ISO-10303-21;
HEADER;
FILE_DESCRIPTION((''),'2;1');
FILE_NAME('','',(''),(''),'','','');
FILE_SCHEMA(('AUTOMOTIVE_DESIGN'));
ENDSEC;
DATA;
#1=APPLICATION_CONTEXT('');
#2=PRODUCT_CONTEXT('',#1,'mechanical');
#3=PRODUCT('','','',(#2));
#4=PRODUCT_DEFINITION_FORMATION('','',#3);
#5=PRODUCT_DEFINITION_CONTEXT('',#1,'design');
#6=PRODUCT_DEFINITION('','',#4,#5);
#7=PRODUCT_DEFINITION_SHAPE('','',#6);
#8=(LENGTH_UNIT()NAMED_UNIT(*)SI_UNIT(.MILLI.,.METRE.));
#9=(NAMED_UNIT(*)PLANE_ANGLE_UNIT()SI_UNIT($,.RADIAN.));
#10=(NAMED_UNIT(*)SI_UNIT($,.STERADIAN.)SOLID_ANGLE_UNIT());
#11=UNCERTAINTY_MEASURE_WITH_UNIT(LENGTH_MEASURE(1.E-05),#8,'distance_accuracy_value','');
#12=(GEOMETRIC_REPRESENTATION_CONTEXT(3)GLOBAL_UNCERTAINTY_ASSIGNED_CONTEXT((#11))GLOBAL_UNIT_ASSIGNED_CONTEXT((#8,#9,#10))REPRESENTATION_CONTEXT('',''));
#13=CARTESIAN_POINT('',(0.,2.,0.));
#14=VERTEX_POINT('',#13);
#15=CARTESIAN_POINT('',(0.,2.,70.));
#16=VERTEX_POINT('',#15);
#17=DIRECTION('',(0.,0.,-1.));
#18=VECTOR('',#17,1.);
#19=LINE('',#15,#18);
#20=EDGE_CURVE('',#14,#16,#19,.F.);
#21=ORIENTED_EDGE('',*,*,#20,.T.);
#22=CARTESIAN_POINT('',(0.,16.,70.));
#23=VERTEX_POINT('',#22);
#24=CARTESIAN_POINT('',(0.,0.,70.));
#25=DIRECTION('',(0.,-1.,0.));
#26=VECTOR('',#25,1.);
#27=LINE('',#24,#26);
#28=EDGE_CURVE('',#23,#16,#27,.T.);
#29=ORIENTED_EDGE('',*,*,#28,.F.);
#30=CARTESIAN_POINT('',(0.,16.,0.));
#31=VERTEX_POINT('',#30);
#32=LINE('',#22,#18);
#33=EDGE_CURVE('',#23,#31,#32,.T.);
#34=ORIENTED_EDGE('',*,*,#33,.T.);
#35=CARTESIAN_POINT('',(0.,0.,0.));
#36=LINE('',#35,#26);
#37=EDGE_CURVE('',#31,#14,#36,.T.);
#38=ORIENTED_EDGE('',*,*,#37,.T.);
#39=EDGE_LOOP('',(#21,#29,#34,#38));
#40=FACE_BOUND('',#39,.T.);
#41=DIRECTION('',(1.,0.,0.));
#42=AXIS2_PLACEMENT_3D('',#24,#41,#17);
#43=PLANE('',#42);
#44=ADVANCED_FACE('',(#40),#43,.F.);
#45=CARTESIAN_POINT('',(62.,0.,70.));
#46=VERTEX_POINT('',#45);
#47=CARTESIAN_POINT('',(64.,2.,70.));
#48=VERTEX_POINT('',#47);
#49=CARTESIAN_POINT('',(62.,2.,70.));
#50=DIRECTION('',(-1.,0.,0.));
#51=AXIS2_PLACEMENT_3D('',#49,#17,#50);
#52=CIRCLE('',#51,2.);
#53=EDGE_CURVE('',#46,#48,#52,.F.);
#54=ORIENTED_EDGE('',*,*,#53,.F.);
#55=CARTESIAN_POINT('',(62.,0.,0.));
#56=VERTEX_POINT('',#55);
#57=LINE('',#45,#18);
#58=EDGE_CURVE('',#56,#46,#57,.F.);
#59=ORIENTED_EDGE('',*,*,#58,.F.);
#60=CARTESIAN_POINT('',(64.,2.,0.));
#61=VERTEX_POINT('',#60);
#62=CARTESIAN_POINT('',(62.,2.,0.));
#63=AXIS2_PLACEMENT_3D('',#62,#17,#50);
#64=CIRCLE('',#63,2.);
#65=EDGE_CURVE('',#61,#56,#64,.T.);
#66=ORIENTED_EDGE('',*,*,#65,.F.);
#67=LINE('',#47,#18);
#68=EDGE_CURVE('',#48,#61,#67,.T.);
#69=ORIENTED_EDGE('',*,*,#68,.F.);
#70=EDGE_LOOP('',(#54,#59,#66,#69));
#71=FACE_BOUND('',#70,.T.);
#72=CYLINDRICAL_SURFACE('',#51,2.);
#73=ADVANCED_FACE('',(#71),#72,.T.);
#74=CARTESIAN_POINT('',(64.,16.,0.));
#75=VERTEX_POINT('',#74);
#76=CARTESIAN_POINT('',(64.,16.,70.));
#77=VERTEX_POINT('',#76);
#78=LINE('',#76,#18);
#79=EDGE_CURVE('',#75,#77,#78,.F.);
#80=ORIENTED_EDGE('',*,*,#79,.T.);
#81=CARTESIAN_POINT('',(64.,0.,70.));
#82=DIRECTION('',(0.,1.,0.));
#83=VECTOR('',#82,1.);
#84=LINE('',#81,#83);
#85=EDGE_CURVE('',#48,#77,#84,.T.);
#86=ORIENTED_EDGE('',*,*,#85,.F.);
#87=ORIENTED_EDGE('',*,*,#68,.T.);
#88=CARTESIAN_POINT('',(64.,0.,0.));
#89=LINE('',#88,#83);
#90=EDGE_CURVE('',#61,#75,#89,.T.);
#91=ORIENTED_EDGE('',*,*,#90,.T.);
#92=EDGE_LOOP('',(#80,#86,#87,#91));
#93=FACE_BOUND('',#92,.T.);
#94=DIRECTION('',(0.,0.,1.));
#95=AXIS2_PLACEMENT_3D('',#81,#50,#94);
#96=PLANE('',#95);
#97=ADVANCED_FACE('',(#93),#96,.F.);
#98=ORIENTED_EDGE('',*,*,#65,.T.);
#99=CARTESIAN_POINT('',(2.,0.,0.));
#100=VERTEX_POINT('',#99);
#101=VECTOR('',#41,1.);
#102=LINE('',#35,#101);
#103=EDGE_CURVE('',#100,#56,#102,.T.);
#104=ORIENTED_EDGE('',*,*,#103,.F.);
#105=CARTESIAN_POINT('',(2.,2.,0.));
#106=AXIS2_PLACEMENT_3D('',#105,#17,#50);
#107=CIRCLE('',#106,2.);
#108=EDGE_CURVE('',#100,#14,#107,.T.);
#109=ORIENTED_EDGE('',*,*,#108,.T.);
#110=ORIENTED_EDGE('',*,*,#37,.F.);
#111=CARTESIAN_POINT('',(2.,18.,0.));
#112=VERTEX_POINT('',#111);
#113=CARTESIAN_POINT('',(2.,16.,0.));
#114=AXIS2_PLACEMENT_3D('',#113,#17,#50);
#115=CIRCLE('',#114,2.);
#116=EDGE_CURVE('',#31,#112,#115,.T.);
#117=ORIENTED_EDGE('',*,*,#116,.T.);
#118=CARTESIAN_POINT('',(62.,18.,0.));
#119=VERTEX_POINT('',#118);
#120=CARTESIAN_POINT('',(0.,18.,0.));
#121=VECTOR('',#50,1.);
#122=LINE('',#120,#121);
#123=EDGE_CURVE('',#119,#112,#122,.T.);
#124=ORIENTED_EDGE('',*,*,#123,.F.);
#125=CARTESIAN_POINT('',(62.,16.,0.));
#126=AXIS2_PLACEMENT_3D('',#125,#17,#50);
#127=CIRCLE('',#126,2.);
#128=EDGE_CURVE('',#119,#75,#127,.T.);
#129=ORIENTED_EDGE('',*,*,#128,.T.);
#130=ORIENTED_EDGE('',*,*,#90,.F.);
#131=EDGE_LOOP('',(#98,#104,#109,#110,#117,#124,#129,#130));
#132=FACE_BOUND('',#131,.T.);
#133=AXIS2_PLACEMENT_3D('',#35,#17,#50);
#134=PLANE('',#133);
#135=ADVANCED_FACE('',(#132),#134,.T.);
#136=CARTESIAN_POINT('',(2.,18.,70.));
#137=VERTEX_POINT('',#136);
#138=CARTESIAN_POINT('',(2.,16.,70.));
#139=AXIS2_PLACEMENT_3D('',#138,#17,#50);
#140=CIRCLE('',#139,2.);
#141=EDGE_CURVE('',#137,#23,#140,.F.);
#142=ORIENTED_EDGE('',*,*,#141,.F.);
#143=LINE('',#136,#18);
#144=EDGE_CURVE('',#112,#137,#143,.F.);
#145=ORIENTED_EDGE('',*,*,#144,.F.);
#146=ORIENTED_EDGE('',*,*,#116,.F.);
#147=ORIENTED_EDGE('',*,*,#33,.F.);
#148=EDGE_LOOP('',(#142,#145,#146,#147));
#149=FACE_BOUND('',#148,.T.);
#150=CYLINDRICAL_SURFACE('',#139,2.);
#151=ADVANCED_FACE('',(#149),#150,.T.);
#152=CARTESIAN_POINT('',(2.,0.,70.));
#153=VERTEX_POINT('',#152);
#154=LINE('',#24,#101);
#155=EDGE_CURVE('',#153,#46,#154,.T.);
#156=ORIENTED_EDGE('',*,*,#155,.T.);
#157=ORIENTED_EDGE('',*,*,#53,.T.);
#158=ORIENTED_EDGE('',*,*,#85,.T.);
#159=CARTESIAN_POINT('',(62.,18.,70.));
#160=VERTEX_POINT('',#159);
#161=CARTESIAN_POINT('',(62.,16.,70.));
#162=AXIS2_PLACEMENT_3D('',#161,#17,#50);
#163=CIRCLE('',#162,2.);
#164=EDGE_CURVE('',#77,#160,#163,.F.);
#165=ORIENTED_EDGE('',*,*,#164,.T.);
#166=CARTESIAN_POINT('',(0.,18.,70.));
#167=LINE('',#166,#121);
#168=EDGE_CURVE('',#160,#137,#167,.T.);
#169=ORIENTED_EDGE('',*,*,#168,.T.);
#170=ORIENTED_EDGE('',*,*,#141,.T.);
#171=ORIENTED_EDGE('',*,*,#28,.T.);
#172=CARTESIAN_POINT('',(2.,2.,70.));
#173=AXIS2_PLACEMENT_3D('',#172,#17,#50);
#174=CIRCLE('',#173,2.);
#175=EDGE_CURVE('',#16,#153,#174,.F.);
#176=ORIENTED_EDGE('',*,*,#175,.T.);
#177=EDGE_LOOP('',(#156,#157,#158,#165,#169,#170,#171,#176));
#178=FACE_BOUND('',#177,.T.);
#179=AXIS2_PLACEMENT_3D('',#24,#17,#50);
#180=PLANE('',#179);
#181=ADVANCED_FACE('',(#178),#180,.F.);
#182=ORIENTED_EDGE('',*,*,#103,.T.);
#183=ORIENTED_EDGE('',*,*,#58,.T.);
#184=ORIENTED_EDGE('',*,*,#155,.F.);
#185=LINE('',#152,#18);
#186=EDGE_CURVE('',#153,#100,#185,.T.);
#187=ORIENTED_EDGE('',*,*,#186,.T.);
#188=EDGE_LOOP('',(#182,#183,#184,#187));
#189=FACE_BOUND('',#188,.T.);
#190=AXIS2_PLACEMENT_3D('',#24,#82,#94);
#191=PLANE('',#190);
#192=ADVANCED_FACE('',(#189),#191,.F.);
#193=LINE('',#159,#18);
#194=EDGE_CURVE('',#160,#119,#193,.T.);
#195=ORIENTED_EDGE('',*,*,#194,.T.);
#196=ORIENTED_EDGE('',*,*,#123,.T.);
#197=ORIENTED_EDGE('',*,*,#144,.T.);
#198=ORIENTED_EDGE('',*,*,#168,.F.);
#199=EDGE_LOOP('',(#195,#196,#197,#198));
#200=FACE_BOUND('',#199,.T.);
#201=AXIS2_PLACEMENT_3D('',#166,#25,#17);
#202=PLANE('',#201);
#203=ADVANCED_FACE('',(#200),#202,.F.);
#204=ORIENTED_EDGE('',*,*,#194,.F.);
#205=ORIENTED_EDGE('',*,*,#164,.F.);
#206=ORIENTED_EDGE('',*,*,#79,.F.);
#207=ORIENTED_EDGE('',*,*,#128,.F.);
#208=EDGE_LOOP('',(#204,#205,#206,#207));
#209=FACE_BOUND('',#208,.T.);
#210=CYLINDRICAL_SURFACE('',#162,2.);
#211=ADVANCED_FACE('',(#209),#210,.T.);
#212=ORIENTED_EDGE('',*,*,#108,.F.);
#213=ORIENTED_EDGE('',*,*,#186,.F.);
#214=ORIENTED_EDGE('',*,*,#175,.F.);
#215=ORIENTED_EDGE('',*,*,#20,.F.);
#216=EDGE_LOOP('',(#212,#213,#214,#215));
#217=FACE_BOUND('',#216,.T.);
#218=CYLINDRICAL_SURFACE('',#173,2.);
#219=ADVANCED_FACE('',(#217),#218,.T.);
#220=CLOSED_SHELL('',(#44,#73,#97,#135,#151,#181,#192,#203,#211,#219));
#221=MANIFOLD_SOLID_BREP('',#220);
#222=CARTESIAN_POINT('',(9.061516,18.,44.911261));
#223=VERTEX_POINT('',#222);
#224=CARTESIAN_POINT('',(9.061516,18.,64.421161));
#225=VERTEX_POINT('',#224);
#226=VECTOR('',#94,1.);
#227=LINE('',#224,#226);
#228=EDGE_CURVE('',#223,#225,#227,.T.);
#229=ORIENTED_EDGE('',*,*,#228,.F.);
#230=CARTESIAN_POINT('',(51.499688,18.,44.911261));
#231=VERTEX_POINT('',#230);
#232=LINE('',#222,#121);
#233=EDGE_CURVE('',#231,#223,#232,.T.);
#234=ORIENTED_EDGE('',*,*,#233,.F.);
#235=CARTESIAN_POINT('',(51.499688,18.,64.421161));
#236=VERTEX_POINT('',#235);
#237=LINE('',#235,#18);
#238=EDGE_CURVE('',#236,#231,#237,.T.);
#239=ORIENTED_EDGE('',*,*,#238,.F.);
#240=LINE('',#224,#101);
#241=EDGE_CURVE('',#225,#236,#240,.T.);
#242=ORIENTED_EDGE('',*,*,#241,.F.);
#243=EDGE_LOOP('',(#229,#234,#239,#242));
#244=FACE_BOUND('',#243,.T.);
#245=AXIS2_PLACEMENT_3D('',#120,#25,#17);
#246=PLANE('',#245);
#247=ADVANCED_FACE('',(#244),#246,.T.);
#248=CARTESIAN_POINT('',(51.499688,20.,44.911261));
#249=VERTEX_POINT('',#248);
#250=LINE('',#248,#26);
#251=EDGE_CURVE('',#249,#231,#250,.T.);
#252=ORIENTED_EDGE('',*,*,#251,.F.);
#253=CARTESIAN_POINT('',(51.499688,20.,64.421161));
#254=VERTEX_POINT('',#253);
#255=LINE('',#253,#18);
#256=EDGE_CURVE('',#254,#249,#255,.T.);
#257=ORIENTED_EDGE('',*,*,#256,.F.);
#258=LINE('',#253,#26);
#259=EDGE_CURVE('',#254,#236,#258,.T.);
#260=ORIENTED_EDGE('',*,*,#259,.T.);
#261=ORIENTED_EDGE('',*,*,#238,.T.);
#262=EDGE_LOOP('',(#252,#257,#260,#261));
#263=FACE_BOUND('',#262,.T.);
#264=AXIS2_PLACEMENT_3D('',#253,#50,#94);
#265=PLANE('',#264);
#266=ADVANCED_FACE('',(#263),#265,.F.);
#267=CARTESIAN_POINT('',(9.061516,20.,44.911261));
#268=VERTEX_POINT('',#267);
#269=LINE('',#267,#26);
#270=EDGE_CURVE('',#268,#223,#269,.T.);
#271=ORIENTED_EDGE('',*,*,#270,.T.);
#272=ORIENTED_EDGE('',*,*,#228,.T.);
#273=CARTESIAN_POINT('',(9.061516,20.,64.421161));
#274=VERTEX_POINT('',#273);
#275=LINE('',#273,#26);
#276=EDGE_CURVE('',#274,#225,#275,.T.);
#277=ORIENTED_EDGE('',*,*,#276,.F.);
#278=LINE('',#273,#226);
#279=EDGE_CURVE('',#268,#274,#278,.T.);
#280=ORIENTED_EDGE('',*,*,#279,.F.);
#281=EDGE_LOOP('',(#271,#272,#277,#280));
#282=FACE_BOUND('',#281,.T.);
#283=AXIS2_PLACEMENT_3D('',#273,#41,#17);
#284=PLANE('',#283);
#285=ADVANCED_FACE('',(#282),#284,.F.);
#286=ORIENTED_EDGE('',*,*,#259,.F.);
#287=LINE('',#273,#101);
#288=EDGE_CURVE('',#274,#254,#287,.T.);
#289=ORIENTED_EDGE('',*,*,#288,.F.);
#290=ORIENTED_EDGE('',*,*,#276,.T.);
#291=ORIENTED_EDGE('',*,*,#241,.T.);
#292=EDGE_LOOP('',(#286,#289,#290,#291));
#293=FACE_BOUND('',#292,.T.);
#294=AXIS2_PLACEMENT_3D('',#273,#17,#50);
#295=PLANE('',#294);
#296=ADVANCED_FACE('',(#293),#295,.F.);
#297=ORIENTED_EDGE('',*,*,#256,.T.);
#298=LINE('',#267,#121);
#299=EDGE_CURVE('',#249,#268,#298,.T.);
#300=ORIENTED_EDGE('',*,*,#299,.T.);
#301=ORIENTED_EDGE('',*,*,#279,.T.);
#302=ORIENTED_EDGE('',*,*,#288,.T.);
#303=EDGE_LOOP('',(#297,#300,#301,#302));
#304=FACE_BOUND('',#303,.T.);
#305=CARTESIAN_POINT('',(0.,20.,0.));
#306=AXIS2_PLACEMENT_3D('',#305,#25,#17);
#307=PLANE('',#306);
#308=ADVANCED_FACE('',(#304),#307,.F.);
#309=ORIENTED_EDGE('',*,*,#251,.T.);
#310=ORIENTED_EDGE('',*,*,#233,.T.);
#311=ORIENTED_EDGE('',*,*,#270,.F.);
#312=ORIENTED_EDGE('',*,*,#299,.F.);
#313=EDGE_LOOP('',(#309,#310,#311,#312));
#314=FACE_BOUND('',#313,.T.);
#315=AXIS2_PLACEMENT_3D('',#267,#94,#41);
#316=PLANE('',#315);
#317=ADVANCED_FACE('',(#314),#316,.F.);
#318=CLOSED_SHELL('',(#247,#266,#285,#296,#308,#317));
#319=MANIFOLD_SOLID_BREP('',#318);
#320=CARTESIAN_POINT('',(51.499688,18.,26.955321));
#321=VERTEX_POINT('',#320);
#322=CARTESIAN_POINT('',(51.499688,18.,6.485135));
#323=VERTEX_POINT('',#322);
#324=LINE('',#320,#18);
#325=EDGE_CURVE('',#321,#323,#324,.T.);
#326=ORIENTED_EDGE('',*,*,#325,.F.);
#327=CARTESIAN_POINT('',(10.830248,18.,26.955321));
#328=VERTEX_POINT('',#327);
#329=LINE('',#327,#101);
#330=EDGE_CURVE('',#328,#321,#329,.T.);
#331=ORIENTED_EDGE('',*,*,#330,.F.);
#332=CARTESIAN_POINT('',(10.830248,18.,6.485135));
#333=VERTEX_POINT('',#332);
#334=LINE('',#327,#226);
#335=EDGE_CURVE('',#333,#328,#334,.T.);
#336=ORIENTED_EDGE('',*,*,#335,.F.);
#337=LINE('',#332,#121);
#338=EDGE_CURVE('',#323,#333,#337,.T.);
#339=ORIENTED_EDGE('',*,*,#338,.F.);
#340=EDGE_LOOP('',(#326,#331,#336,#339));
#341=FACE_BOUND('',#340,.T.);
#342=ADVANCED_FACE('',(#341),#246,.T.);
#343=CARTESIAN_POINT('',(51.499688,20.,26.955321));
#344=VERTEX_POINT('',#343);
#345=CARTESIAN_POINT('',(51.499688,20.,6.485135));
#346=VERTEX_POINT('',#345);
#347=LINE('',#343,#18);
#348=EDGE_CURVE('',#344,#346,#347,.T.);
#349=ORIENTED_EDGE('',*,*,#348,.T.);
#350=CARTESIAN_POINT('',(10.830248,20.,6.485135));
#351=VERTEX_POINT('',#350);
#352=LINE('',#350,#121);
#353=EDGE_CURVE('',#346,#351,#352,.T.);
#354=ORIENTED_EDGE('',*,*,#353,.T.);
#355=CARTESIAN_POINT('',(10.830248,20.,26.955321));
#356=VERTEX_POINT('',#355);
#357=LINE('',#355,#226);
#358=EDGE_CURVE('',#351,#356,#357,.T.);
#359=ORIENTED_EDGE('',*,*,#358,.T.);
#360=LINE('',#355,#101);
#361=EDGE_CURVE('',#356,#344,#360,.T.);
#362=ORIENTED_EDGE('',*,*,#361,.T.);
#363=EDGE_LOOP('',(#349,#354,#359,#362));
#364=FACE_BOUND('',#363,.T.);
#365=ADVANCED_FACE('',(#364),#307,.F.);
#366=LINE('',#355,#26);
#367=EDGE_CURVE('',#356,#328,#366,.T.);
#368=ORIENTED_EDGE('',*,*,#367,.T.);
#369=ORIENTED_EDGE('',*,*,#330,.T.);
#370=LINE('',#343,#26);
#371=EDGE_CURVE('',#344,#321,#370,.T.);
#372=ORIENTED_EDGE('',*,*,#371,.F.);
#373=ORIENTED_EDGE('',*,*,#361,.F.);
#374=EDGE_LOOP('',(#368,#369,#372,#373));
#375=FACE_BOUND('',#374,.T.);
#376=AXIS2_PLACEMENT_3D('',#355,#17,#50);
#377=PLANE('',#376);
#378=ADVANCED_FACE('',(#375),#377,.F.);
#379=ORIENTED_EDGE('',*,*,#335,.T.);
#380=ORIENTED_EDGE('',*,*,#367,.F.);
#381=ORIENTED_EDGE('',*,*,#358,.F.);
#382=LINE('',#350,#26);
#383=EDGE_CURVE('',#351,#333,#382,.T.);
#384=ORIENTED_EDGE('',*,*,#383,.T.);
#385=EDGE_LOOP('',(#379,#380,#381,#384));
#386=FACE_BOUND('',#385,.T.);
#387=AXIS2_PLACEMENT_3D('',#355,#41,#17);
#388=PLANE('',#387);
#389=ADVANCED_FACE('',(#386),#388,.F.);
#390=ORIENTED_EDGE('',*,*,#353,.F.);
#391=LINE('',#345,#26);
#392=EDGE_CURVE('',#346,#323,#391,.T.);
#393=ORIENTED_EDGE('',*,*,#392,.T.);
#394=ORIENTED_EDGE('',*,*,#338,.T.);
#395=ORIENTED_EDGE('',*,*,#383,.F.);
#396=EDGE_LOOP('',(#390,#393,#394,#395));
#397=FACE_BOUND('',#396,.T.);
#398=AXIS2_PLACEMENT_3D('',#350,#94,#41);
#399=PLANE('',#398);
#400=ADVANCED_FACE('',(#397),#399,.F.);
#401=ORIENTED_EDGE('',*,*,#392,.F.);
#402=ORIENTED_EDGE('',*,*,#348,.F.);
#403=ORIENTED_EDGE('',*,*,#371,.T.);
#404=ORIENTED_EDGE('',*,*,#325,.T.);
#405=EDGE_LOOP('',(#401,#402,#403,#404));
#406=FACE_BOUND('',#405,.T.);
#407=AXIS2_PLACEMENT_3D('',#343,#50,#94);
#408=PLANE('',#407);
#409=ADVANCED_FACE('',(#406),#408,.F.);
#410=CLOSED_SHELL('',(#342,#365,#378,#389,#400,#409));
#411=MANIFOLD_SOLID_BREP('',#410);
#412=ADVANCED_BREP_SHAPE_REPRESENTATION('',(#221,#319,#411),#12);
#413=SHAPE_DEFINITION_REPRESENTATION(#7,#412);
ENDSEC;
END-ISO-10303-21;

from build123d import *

# Parameters (mm, degrees)
SKETCH_1_W        = 64
SKETCH_1_H        = 18
EXTRUDE_1_DEPTH   = 70
FILLET_1_R        = 2
SKETCH_2_W        = 42.438172009
SKETCH_2_H        = 19.50989992
EXTRUDE_2_DEPTH   = 2
SKETCH_2_W_2      = 40.669439651
SKETCH_2_H_2      = 20.470186346
EXTRUDE_2_2_DEPTH = 2


with BuildPart() as part:
    # 草圖1 → 填料-伸長1 (new body)
    with BuildSketch(Plane.XY):
        with Locations((32, 9)):
            Rectangle(SKETCH_1_W, SKETCH_1_H)
    extrude(amount=EXTRUDE_1_DEPTH)

    # 圓角1
    fillet_1_edges = [part.edges().sort_by_distance(p)[0] for p in [
        (0, 18, 35),
        (64, 18, 35),
        (64, 0, 35),
        (0, 0, 35),
    ]]
    fillet(fillet_1_edges, radius=FILLET_1_R)


with BuildPart() as body_2:
    # 草圖2 → 填料-伸長2 (new body)
    with BuildSketch(Plane(origin=(0, 18, 0), x_dir=(1, 0, 0), z_dir=(0, 1, 0))):
        with Locations((30.280601754, -54.666211253)):
            Rectangle(SKETCH_2_W, SKETCH_2_H)
    extrude(amount=EXTRUDE_2_DEPTH)


with BuildPart() as body_3:
    # 草圖2 → Extrude 2 2 (new body)
    with BuildSketch(Plane(origin=(0, 18, 0), x_dir=(1, 0, 0), z_dir=(0, 1, 0))):
        with Locations((31.164967933, -16.72022809)):
            Rectangle(SKETCH_2_W_2, SKETCH_2_H_2)
    extrude(amount=EXTRUDE_2_2_DEPTH)


solid = Compound([part.part, body_2.part, body_3.part])
